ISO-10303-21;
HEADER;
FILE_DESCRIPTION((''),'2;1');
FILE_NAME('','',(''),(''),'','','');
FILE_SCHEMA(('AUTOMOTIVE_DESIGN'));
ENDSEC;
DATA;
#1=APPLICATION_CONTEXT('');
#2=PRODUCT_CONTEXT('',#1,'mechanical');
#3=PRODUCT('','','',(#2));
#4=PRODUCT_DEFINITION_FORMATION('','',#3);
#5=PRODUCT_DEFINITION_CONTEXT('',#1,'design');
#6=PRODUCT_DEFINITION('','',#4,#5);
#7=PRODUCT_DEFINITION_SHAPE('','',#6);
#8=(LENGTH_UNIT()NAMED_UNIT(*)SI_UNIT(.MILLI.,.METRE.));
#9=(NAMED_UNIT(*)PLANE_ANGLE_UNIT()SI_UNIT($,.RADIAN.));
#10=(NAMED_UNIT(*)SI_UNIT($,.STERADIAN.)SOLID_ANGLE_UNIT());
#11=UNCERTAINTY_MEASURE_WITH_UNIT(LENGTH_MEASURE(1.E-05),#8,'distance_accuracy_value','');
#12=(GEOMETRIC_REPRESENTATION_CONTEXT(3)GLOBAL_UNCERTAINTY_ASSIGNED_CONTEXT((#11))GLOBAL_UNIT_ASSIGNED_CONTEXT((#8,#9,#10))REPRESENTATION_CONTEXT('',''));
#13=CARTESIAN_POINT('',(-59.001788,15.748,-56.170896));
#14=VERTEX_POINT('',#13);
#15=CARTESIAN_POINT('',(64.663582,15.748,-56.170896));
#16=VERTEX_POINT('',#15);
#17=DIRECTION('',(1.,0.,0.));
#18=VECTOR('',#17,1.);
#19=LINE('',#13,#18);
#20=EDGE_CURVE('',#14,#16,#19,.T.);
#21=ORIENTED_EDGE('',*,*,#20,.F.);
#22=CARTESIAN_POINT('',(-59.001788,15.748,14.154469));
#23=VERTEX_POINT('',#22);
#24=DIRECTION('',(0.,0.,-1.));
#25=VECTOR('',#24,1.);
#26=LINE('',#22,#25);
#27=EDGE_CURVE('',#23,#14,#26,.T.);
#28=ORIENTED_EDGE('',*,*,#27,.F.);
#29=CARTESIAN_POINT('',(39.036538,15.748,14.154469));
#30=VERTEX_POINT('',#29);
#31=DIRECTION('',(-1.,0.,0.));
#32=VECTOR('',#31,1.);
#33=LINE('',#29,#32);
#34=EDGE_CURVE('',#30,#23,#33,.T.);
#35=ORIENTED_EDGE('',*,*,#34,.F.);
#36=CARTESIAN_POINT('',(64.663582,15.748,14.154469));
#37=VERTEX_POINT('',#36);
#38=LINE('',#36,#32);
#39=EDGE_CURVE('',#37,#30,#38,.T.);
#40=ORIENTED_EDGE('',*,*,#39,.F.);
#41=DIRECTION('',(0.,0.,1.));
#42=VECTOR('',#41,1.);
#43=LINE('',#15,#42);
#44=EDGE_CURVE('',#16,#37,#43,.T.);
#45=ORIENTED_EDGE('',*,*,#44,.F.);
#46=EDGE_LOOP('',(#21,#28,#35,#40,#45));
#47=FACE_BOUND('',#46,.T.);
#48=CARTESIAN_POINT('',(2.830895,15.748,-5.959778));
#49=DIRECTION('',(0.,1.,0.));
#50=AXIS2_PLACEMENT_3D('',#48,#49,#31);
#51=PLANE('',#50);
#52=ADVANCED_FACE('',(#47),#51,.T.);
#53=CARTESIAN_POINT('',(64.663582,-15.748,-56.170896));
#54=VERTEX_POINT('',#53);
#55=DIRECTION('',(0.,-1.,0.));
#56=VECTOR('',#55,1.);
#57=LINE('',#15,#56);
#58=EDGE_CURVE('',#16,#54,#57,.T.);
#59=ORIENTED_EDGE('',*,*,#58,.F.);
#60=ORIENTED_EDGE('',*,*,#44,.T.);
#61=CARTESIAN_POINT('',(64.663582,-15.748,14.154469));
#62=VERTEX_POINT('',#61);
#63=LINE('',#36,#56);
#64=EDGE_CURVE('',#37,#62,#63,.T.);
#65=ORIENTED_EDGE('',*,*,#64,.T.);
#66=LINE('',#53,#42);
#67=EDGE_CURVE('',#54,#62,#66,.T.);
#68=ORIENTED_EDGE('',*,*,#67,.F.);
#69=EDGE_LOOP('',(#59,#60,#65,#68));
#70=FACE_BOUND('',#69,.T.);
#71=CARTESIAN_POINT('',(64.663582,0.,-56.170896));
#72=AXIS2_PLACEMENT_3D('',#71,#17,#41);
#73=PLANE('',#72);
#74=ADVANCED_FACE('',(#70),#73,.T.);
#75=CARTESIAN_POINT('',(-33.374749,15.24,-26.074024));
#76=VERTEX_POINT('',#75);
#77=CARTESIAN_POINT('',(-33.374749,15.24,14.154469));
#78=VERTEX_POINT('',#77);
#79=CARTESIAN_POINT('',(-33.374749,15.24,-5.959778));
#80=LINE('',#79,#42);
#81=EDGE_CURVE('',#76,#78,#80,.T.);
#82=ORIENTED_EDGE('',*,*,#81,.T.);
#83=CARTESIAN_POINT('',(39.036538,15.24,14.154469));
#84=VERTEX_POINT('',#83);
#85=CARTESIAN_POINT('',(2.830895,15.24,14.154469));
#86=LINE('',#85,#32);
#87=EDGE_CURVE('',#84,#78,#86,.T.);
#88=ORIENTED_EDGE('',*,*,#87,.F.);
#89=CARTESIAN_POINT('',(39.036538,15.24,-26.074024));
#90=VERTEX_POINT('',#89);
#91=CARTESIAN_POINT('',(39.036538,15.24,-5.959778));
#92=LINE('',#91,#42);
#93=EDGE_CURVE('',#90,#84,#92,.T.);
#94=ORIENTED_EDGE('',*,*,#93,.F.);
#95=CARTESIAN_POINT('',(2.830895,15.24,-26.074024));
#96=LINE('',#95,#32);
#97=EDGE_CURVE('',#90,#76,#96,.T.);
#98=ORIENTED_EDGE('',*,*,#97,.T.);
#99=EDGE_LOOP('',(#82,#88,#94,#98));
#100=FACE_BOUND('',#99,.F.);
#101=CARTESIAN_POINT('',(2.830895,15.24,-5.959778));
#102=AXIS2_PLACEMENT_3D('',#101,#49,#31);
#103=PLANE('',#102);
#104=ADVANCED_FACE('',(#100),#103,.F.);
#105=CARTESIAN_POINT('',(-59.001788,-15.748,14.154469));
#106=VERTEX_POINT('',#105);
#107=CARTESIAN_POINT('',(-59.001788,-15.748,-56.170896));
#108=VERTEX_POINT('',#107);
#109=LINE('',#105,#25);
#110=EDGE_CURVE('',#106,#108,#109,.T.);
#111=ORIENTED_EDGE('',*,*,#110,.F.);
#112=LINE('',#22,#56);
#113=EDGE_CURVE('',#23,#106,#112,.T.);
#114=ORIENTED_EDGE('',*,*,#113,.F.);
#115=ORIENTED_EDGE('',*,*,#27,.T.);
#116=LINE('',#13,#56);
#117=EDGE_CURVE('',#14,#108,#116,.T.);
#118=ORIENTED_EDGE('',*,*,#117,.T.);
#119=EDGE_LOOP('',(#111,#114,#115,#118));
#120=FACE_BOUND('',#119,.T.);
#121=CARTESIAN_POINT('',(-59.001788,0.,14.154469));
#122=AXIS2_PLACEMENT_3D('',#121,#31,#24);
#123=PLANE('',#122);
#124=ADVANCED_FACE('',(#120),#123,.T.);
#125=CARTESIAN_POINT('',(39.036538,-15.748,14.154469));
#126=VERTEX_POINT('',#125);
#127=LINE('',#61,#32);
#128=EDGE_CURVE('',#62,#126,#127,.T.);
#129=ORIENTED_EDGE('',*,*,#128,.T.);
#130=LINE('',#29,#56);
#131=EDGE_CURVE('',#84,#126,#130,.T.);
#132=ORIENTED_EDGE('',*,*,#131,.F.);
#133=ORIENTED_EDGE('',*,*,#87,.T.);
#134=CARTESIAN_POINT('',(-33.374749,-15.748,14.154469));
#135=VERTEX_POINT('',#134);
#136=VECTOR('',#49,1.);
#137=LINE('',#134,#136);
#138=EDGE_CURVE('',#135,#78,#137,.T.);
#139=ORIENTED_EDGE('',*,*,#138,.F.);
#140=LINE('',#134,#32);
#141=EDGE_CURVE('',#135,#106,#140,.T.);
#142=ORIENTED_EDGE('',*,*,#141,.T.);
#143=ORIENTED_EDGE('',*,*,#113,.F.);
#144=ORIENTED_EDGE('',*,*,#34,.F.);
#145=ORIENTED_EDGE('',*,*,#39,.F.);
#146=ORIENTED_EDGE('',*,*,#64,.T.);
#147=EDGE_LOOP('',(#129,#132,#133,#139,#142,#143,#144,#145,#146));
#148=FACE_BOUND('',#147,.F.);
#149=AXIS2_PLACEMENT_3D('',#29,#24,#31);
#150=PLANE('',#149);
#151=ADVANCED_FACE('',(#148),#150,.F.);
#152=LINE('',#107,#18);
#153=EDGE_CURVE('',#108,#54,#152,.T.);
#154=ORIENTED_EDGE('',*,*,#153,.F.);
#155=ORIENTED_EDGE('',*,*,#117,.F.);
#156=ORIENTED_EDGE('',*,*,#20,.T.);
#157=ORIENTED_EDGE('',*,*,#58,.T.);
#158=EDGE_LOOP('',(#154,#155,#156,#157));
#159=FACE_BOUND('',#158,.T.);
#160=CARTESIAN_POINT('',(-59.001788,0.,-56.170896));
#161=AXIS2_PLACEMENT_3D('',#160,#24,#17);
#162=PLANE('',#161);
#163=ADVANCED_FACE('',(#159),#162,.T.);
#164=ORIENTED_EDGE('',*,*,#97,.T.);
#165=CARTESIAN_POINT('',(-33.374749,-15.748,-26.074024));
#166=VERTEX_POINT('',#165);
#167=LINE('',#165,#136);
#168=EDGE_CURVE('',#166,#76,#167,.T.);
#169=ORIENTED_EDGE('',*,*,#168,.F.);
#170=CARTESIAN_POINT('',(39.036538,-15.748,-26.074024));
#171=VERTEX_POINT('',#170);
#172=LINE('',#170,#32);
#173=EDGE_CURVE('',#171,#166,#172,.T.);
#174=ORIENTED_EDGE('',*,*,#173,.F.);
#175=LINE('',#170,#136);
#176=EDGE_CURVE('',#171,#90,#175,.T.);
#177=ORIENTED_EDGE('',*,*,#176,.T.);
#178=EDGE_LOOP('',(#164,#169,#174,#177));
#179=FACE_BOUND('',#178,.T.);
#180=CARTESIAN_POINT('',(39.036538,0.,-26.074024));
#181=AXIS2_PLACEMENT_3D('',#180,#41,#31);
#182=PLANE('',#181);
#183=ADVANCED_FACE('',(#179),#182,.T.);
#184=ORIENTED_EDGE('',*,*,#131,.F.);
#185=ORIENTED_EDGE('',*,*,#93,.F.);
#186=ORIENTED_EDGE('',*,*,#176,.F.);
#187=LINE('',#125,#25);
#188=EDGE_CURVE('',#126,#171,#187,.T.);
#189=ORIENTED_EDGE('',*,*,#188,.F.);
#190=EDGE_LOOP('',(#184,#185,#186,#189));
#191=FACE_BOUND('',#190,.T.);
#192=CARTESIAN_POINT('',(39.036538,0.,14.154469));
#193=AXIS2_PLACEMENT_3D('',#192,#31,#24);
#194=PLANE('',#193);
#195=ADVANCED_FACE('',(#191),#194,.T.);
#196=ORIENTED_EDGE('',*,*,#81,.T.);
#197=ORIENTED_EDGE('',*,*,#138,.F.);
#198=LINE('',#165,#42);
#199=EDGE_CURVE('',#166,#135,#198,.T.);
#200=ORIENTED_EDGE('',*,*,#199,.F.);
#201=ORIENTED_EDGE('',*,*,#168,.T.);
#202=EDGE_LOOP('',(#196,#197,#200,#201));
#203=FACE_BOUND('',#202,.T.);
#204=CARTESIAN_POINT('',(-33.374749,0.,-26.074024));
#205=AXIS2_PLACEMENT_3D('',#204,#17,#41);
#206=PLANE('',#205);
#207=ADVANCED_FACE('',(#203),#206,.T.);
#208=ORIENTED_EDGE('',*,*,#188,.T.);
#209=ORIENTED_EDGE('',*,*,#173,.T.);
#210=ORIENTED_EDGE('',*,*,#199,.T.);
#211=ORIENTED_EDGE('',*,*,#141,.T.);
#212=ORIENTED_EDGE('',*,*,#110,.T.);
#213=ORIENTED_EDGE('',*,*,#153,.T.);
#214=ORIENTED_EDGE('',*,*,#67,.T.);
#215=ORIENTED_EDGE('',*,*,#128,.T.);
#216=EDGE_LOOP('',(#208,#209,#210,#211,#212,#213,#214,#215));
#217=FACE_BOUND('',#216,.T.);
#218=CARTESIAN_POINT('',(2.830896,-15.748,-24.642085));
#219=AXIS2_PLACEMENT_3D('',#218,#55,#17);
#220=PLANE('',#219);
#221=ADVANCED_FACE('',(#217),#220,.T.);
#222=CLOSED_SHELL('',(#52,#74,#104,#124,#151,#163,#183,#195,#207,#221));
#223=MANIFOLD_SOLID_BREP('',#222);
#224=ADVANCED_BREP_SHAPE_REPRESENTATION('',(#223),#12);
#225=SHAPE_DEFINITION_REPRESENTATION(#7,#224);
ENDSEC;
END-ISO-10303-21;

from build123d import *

# Parameters (mm, degrees)
F1_DEPTH = 15.748
F2_W     = 72.411287576
F2_H     = 40.2284925804
F3_DEPTH = 0.508


with BuildPart() as f1:
    # F0 (on Front) → F1 (new body, symmetric)
    with BuildSketch(Plane.XZ):
        Polygon((-33.3747491241, 14.154468663), (-59.001788497, 14.154468663), (-59.001788497, -56.1708956957), (64.6635815501, -56.1708956957), (64.6635815501, 14.154468663), (39.0365384519, 14.154468663), (39.0365384519, -26.0740239173), (-33.3747491241, -26.0740239173), align=None)
    extrude(amount=F1_DEPTH, both=True)

    # F2 (on face) → F3 (join)
    with BuildSketch(Plane(origin=(0, 15.748, 0), x_dir=(-1, 0, 0), z_dir=(0, 1, 0))):
        with Locations((-2.8308946639, -5.9597776271)):
            Rectangle(F2_W, F2_H)
    extrude(amount=-F3_DEPTH)


solid = f1.part
